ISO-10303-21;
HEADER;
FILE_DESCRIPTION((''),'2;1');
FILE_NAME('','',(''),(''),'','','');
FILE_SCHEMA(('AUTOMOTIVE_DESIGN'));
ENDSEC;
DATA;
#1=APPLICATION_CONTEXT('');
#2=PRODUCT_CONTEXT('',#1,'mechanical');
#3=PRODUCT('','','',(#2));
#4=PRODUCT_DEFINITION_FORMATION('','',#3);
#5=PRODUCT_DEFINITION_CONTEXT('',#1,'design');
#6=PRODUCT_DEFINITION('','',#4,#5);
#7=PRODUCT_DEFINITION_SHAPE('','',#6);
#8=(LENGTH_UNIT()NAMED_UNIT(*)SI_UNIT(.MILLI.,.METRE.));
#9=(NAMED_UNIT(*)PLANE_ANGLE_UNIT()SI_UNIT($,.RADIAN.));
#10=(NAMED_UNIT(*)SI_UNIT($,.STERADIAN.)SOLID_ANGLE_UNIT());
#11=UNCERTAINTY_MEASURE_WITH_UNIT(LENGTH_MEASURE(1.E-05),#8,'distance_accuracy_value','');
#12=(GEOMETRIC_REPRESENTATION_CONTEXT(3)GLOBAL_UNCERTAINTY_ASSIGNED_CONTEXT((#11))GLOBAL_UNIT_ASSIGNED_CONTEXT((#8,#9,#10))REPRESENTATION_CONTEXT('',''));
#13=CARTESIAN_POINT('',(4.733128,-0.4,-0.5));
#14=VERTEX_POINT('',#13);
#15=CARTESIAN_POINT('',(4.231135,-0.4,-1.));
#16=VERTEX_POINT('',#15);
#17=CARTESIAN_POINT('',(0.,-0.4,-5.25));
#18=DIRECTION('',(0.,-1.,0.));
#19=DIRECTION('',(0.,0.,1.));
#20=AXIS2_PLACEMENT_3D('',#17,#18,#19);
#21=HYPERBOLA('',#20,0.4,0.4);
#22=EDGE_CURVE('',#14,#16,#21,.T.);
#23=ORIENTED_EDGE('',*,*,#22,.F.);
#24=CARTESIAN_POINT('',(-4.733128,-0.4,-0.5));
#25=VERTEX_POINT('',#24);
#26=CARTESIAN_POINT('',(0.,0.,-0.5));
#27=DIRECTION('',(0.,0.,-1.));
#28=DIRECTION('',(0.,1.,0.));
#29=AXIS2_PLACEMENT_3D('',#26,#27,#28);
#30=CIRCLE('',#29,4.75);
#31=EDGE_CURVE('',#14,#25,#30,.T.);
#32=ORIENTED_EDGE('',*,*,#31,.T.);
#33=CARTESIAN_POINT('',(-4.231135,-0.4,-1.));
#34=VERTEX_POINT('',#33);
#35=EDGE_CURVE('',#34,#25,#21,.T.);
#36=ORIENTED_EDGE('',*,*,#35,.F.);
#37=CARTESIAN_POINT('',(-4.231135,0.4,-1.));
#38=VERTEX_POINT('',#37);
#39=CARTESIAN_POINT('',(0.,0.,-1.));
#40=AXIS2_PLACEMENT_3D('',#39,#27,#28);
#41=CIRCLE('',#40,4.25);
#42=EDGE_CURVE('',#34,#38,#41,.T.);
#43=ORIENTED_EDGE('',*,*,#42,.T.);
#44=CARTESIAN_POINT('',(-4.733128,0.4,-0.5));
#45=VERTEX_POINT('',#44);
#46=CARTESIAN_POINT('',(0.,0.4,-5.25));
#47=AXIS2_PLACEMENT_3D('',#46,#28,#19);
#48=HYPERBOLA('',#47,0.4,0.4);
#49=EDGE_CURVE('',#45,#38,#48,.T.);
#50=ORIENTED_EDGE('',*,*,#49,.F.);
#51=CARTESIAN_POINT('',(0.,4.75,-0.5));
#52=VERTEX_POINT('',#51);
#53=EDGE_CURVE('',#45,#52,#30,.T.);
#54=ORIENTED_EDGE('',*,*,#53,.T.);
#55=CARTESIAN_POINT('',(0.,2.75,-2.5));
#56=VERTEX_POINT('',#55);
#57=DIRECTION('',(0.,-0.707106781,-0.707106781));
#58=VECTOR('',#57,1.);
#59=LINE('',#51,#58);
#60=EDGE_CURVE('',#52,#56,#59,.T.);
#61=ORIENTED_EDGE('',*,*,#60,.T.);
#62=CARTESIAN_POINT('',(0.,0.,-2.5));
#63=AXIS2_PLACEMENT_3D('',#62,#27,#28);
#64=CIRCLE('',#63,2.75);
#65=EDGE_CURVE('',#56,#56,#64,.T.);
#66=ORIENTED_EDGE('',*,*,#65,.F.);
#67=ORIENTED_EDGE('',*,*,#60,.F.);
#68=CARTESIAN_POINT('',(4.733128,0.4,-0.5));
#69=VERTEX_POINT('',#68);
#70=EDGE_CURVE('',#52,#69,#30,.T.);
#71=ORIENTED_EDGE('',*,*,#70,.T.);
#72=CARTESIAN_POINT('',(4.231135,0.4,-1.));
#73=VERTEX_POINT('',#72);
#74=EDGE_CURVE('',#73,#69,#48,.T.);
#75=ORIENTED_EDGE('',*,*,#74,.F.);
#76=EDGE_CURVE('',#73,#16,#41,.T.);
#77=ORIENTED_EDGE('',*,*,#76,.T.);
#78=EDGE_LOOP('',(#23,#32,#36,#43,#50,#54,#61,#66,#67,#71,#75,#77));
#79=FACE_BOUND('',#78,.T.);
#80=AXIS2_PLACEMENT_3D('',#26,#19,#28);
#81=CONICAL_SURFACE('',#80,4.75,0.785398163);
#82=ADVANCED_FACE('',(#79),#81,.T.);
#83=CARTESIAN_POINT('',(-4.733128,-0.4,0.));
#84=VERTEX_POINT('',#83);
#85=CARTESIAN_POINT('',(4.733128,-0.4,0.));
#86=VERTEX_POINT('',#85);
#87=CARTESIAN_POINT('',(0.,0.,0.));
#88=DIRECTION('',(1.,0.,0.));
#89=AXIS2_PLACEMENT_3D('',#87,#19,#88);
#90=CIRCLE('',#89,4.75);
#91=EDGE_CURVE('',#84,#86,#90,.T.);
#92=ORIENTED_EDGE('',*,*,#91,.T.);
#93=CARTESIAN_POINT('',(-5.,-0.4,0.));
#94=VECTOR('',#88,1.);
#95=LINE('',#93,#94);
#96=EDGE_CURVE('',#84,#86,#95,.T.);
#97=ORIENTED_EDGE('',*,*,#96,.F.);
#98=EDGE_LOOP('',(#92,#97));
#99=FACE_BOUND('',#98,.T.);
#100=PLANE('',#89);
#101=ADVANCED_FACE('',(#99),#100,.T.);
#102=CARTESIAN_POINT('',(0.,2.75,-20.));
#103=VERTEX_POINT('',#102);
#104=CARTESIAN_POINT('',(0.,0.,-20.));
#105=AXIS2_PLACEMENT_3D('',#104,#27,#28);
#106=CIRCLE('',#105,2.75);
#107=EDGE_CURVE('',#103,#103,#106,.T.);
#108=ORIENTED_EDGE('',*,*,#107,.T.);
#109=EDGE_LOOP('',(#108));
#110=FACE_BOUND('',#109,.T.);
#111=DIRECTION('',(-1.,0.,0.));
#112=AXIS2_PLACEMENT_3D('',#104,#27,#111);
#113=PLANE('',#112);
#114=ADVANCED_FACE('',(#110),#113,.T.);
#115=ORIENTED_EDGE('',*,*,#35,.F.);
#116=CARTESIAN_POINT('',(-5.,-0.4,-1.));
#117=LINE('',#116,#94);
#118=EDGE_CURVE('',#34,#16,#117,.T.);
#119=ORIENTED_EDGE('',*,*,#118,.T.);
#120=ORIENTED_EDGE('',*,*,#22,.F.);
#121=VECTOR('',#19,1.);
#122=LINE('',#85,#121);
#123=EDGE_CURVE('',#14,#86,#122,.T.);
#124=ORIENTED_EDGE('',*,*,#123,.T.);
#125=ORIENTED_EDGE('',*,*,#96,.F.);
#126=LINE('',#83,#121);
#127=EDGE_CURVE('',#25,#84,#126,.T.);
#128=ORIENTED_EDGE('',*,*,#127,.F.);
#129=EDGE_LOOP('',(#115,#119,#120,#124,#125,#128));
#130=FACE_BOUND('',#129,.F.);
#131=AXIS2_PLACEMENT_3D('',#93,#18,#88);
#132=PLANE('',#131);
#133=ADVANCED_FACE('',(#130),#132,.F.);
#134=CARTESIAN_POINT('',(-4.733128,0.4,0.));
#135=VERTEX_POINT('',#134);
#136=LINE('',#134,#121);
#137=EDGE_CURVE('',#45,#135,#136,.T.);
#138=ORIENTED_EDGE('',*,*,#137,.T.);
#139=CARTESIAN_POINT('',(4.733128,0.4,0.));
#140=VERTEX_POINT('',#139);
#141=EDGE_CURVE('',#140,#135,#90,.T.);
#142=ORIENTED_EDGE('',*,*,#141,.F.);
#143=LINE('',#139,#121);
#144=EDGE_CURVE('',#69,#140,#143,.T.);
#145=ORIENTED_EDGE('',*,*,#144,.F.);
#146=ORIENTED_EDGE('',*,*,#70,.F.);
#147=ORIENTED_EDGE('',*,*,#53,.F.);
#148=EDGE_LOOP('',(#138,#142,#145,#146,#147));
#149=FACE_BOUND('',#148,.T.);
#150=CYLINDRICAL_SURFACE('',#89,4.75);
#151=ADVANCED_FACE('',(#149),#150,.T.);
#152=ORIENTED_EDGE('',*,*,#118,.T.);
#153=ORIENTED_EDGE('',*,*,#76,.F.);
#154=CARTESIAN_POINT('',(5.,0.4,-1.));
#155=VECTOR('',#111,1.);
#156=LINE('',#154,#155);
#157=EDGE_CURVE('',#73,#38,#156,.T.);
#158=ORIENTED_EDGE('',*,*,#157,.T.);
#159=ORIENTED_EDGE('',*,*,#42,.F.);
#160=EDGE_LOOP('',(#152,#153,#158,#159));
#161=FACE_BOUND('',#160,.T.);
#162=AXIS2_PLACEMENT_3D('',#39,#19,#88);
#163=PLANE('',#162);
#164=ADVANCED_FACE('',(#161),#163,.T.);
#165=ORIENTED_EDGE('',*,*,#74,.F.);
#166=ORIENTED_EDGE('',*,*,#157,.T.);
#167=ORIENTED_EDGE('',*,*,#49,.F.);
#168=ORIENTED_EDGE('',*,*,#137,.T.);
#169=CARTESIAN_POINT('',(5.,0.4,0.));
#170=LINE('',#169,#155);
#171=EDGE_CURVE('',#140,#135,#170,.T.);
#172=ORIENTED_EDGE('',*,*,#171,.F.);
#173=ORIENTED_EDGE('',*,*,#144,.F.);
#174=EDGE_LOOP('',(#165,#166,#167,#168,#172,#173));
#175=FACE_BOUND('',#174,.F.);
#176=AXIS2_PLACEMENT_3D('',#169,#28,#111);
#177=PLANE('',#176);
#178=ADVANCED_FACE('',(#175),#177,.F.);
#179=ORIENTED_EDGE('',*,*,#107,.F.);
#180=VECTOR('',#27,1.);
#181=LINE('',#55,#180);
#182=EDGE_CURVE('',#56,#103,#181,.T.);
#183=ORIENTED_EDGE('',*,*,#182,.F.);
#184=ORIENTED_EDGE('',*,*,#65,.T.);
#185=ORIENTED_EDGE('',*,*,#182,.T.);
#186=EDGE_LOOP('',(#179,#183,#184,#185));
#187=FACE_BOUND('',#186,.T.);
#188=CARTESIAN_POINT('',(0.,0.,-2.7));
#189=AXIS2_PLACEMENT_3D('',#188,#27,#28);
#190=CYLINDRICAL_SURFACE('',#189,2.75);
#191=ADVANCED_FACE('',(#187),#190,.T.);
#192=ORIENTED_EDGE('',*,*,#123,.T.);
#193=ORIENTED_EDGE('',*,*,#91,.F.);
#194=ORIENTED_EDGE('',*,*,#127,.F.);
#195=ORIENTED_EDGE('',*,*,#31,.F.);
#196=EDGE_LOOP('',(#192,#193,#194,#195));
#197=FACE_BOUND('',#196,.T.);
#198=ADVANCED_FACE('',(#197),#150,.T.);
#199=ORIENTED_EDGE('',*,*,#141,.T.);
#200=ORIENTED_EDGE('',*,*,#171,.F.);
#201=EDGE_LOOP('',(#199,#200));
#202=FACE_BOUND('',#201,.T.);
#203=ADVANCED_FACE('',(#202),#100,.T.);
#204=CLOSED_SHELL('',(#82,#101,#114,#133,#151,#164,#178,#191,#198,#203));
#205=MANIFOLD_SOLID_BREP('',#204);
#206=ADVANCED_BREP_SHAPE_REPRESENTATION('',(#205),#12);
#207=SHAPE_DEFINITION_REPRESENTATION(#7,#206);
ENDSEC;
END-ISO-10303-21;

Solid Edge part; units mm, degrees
sketch "Sketch1" plane through (0, 0, 0) normal (0, 0, 1) x (1, 0, 0)
  circle A0 centre (0, 0) radius 4.75
extrude "拉伸_4" add sketch "Sketch1" against normal blind 2.7
sketch "Sketch2" plane through (0, 0, 0) normal (0, 0, 1) x (1, 0, 0)
  line L0 (-5, -0.4) -> (5, -0.4)
  line L1 (5, -0.4) -> (5, 0.4)
  line L2 (5, 0.4) -> (-5, 0.4)
  line L3 (-5, 0.4) -> (-5, -0.4)
extrude "拉伸除料_2" cut sketch "Sketch2" against normal blind 1
sketch "Sketch3" plane through (0, 0, 0) normal (1, 0, 0) x (0, 1, 0)
  line L0 (4.75, -0.5) -> (2.55, -2.7)
  line L1 (2.55, -2.7) -> (5.5063, -2.7)
  line L2 (5.5063, -2.7) -> (4.75, -0.5)
revolve "RevolvedCutout1" cut sketch "Sketch3" angle 360 about axis through (0, 0, 0) along (0, 0, -1)
sketch "Sketch4" plane through (0, 0, -2.7) normal (0, 0, -1) x (0, 1, 0)
  circle A0 centre (0, 0) radius 2.75
extrude "拉伸_6" add sketch "Sketch4" along normal blind 17.3 and the other way blind 0.4309
cosmetic_thread "Thread1" size "M5.5"
properties material "不锈钢310"
